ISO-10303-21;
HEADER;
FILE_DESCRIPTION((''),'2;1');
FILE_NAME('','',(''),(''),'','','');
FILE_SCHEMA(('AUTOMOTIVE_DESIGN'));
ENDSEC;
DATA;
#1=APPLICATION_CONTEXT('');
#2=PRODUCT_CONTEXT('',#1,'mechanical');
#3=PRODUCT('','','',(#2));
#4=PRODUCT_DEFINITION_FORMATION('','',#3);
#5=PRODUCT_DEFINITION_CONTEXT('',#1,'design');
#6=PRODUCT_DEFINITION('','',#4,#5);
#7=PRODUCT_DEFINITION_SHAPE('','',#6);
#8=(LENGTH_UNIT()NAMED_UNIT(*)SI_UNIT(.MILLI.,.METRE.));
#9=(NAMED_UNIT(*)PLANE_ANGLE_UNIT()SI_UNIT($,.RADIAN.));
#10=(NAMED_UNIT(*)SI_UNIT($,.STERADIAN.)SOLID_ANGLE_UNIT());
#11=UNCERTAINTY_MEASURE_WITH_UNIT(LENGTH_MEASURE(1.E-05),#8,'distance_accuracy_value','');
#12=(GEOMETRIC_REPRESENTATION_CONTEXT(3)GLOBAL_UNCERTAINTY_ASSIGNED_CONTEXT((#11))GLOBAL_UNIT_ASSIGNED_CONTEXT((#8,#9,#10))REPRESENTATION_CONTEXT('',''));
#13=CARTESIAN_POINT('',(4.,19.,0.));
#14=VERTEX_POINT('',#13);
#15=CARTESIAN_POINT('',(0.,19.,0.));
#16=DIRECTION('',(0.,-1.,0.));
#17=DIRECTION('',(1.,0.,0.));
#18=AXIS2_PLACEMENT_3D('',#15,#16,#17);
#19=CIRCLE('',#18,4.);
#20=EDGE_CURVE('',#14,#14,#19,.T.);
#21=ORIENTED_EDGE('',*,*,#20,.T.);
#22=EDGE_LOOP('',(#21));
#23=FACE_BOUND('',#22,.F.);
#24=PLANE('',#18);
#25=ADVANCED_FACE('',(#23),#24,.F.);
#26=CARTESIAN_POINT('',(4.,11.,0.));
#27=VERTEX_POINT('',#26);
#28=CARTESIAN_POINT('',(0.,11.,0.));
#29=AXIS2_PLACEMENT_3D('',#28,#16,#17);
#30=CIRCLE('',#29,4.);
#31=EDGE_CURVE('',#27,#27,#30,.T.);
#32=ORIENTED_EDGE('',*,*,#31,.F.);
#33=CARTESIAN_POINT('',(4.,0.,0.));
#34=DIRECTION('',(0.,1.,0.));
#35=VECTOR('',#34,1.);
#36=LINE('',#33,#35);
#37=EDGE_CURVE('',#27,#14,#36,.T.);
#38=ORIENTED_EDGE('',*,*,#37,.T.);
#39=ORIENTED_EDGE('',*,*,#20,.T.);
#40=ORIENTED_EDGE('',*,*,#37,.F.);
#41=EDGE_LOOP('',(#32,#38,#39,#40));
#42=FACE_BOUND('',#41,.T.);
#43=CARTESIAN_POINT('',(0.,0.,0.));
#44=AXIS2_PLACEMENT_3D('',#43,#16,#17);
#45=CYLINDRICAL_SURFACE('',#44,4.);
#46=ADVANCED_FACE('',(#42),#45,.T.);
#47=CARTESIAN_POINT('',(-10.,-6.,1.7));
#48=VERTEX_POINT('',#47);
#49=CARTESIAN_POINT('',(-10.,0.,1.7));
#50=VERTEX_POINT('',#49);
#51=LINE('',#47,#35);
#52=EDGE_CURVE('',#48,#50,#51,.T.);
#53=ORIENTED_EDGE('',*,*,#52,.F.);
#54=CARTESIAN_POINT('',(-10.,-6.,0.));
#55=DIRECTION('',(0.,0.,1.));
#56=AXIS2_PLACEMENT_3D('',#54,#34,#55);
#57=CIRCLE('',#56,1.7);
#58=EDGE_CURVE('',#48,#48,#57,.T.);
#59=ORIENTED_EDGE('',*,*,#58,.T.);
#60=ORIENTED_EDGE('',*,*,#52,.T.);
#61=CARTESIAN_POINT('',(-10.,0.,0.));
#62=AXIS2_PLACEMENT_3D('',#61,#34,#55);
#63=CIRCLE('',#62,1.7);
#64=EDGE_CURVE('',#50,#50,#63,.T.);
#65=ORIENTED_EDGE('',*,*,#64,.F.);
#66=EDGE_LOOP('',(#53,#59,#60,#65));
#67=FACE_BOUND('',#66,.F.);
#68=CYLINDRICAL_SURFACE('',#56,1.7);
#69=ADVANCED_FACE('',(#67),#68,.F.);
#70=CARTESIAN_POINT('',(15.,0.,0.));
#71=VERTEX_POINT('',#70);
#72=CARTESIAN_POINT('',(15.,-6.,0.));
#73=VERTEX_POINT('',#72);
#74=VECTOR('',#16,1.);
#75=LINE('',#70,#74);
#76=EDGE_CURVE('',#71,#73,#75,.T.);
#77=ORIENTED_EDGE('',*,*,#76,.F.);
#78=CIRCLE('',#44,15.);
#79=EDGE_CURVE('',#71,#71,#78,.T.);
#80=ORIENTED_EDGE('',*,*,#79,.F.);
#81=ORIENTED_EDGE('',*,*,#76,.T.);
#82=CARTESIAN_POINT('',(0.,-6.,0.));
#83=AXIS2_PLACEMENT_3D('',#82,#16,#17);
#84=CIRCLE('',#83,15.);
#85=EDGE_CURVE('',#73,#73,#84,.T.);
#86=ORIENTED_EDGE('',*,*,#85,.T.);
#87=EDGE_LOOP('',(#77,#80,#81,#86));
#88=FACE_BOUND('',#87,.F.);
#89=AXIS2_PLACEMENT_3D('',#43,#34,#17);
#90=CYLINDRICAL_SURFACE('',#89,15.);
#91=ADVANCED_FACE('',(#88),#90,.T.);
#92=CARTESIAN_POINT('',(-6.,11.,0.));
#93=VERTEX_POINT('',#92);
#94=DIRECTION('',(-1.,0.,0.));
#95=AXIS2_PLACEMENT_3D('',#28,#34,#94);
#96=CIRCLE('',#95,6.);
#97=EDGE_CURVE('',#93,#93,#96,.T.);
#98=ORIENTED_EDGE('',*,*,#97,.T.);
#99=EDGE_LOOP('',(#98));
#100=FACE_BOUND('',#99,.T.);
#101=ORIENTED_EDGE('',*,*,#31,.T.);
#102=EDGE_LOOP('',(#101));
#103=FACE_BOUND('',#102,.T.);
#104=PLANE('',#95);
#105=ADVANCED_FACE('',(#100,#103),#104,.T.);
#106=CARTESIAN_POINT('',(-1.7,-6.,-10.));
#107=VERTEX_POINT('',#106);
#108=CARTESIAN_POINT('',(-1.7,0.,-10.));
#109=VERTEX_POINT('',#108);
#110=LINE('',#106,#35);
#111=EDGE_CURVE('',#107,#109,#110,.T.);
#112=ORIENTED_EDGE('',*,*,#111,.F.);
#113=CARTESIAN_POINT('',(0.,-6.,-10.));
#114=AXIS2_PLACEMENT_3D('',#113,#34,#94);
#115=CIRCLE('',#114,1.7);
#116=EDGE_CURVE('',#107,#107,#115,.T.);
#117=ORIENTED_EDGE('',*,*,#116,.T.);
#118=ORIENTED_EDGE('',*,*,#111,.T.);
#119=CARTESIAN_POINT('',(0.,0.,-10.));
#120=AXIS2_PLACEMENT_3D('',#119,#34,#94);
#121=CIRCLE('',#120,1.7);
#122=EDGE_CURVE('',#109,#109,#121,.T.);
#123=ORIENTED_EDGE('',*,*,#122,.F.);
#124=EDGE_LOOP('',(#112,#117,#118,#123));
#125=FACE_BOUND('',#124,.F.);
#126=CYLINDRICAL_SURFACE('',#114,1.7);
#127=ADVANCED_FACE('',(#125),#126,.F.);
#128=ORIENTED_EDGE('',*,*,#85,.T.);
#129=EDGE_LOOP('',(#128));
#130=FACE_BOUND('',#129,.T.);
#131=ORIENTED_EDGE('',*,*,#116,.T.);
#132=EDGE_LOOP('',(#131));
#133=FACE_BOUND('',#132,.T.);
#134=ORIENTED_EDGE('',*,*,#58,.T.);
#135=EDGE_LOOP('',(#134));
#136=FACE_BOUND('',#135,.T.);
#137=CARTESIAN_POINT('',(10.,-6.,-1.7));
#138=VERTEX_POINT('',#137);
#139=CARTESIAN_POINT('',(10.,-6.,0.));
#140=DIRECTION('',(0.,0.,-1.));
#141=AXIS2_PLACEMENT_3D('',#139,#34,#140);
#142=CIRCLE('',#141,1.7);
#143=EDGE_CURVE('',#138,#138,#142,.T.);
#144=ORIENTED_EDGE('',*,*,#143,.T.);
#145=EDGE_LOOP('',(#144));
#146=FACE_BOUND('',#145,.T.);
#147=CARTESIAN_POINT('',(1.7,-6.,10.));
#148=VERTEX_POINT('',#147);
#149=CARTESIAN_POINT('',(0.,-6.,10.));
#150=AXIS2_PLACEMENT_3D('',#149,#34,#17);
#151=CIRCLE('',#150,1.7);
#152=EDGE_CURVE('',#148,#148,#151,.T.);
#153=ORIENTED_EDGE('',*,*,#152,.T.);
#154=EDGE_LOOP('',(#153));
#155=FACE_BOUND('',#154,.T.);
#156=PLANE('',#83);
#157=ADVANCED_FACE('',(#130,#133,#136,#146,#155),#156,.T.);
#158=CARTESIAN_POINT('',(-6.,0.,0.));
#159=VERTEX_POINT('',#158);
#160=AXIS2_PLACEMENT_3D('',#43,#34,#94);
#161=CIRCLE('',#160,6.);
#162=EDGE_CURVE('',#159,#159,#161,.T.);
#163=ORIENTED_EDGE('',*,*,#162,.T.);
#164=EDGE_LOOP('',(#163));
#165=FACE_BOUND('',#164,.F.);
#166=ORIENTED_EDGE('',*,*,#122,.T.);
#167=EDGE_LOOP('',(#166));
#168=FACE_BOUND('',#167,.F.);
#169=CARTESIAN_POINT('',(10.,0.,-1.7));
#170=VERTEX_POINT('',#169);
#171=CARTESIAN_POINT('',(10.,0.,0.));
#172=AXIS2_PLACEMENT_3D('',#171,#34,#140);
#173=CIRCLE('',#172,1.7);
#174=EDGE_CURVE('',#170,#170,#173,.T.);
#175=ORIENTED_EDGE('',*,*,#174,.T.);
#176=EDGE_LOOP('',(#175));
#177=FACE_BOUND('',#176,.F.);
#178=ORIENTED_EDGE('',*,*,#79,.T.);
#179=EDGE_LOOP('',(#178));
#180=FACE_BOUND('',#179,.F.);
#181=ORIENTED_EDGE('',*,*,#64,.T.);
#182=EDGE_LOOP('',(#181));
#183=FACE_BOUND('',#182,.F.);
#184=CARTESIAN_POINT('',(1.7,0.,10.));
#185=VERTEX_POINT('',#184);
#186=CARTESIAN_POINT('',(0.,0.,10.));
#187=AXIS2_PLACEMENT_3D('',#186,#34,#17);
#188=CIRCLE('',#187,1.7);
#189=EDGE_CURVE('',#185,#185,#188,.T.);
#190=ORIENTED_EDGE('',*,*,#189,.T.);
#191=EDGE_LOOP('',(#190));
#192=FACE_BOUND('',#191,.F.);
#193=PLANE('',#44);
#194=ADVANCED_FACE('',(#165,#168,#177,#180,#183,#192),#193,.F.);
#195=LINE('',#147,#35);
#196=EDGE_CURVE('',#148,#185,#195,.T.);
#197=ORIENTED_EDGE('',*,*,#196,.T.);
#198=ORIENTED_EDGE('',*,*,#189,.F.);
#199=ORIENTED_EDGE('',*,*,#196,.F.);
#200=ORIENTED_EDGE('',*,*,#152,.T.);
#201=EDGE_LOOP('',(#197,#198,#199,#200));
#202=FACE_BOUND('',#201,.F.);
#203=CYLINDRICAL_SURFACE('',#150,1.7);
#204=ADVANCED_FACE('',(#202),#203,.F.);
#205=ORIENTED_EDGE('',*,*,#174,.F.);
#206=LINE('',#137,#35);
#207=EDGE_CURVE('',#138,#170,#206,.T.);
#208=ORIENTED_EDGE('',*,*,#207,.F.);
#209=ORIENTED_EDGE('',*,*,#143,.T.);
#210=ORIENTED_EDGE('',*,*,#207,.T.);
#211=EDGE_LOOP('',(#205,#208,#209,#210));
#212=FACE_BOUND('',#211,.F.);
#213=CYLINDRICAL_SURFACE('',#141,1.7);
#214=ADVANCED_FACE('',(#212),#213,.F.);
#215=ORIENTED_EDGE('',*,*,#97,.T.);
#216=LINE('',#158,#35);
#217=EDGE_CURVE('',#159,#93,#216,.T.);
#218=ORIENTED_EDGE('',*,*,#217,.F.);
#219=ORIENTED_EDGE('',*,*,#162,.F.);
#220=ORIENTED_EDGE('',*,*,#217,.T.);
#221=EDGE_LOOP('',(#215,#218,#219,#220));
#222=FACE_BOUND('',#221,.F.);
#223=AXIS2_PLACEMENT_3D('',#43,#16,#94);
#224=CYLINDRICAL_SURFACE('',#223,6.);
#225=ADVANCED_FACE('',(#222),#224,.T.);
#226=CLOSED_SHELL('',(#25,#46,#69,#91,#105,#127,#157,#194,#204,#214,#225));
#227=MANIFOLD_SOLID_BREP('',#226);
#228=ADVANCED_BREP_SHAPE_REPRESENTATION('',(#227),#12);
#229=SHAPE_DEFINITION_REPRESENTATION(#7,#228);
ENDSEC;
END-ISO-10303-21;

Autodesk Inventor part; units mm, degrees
ref_plane "YZ Plane" through (0, 0, 0) normal (1, 0, 0) x (0, 1, 0)
ref_plane "XZ Plane" through (0, 0, 0) normal (0, 1, 0) x (-1, 0, 0)
ref_plane "XY Plane" through (0, 0, 0) normal (0, 0, 1) x (1, 0, 0)
sketch "Skizze1" plane through (0, 0, 0) normal (0, 1, 0) x (-1, 0, 0)
  circle A0 centre (0, 0) radius 6
  dimension "d0" = 12
extrude "Extrusion1" add sketch "Skizze1" along normal blind 11
sketch "Skizze2" plane through (0, 0, 0) normal (0, -1, 0) x (1, 0, 0)
  circle A0 centre (0, 0) radius 4
  dimension "d3" = 8
extrude "Extrusion2" add sketch "Skizze2" against normal blind 19
sketch "Skizze3" plane through (0, 0, 0) normal (0, -1, 0) x (1, 0, 0)
  circle A0 centre (0, 0) radius 15
  dimension "d6" = 30
extrude "Extrusion3" add sketch "Skizze3" along normal blind 6
sketch "Skizze4" plane through (0, -6, 0) normal (0, -1, 0) x (1, 0, 0)
  point P0 (0, 0)
  point P1 (10, 0)
  dimension "d9" = 10
hole "Bohrung1" at (10, -6, 0) direction (0, 1, 0) diameter 3.4 end through all clearance for "Inbusschraube ISO 4762" size "M3" standard "ISO"
pattern_circular "Runde Anordnung1" count 4 over 360 about axis through (0, 0, 0) along (0, -1, 0) of "Bohrung1"
properties part number "dynamixel_pro_frame_shaft"
